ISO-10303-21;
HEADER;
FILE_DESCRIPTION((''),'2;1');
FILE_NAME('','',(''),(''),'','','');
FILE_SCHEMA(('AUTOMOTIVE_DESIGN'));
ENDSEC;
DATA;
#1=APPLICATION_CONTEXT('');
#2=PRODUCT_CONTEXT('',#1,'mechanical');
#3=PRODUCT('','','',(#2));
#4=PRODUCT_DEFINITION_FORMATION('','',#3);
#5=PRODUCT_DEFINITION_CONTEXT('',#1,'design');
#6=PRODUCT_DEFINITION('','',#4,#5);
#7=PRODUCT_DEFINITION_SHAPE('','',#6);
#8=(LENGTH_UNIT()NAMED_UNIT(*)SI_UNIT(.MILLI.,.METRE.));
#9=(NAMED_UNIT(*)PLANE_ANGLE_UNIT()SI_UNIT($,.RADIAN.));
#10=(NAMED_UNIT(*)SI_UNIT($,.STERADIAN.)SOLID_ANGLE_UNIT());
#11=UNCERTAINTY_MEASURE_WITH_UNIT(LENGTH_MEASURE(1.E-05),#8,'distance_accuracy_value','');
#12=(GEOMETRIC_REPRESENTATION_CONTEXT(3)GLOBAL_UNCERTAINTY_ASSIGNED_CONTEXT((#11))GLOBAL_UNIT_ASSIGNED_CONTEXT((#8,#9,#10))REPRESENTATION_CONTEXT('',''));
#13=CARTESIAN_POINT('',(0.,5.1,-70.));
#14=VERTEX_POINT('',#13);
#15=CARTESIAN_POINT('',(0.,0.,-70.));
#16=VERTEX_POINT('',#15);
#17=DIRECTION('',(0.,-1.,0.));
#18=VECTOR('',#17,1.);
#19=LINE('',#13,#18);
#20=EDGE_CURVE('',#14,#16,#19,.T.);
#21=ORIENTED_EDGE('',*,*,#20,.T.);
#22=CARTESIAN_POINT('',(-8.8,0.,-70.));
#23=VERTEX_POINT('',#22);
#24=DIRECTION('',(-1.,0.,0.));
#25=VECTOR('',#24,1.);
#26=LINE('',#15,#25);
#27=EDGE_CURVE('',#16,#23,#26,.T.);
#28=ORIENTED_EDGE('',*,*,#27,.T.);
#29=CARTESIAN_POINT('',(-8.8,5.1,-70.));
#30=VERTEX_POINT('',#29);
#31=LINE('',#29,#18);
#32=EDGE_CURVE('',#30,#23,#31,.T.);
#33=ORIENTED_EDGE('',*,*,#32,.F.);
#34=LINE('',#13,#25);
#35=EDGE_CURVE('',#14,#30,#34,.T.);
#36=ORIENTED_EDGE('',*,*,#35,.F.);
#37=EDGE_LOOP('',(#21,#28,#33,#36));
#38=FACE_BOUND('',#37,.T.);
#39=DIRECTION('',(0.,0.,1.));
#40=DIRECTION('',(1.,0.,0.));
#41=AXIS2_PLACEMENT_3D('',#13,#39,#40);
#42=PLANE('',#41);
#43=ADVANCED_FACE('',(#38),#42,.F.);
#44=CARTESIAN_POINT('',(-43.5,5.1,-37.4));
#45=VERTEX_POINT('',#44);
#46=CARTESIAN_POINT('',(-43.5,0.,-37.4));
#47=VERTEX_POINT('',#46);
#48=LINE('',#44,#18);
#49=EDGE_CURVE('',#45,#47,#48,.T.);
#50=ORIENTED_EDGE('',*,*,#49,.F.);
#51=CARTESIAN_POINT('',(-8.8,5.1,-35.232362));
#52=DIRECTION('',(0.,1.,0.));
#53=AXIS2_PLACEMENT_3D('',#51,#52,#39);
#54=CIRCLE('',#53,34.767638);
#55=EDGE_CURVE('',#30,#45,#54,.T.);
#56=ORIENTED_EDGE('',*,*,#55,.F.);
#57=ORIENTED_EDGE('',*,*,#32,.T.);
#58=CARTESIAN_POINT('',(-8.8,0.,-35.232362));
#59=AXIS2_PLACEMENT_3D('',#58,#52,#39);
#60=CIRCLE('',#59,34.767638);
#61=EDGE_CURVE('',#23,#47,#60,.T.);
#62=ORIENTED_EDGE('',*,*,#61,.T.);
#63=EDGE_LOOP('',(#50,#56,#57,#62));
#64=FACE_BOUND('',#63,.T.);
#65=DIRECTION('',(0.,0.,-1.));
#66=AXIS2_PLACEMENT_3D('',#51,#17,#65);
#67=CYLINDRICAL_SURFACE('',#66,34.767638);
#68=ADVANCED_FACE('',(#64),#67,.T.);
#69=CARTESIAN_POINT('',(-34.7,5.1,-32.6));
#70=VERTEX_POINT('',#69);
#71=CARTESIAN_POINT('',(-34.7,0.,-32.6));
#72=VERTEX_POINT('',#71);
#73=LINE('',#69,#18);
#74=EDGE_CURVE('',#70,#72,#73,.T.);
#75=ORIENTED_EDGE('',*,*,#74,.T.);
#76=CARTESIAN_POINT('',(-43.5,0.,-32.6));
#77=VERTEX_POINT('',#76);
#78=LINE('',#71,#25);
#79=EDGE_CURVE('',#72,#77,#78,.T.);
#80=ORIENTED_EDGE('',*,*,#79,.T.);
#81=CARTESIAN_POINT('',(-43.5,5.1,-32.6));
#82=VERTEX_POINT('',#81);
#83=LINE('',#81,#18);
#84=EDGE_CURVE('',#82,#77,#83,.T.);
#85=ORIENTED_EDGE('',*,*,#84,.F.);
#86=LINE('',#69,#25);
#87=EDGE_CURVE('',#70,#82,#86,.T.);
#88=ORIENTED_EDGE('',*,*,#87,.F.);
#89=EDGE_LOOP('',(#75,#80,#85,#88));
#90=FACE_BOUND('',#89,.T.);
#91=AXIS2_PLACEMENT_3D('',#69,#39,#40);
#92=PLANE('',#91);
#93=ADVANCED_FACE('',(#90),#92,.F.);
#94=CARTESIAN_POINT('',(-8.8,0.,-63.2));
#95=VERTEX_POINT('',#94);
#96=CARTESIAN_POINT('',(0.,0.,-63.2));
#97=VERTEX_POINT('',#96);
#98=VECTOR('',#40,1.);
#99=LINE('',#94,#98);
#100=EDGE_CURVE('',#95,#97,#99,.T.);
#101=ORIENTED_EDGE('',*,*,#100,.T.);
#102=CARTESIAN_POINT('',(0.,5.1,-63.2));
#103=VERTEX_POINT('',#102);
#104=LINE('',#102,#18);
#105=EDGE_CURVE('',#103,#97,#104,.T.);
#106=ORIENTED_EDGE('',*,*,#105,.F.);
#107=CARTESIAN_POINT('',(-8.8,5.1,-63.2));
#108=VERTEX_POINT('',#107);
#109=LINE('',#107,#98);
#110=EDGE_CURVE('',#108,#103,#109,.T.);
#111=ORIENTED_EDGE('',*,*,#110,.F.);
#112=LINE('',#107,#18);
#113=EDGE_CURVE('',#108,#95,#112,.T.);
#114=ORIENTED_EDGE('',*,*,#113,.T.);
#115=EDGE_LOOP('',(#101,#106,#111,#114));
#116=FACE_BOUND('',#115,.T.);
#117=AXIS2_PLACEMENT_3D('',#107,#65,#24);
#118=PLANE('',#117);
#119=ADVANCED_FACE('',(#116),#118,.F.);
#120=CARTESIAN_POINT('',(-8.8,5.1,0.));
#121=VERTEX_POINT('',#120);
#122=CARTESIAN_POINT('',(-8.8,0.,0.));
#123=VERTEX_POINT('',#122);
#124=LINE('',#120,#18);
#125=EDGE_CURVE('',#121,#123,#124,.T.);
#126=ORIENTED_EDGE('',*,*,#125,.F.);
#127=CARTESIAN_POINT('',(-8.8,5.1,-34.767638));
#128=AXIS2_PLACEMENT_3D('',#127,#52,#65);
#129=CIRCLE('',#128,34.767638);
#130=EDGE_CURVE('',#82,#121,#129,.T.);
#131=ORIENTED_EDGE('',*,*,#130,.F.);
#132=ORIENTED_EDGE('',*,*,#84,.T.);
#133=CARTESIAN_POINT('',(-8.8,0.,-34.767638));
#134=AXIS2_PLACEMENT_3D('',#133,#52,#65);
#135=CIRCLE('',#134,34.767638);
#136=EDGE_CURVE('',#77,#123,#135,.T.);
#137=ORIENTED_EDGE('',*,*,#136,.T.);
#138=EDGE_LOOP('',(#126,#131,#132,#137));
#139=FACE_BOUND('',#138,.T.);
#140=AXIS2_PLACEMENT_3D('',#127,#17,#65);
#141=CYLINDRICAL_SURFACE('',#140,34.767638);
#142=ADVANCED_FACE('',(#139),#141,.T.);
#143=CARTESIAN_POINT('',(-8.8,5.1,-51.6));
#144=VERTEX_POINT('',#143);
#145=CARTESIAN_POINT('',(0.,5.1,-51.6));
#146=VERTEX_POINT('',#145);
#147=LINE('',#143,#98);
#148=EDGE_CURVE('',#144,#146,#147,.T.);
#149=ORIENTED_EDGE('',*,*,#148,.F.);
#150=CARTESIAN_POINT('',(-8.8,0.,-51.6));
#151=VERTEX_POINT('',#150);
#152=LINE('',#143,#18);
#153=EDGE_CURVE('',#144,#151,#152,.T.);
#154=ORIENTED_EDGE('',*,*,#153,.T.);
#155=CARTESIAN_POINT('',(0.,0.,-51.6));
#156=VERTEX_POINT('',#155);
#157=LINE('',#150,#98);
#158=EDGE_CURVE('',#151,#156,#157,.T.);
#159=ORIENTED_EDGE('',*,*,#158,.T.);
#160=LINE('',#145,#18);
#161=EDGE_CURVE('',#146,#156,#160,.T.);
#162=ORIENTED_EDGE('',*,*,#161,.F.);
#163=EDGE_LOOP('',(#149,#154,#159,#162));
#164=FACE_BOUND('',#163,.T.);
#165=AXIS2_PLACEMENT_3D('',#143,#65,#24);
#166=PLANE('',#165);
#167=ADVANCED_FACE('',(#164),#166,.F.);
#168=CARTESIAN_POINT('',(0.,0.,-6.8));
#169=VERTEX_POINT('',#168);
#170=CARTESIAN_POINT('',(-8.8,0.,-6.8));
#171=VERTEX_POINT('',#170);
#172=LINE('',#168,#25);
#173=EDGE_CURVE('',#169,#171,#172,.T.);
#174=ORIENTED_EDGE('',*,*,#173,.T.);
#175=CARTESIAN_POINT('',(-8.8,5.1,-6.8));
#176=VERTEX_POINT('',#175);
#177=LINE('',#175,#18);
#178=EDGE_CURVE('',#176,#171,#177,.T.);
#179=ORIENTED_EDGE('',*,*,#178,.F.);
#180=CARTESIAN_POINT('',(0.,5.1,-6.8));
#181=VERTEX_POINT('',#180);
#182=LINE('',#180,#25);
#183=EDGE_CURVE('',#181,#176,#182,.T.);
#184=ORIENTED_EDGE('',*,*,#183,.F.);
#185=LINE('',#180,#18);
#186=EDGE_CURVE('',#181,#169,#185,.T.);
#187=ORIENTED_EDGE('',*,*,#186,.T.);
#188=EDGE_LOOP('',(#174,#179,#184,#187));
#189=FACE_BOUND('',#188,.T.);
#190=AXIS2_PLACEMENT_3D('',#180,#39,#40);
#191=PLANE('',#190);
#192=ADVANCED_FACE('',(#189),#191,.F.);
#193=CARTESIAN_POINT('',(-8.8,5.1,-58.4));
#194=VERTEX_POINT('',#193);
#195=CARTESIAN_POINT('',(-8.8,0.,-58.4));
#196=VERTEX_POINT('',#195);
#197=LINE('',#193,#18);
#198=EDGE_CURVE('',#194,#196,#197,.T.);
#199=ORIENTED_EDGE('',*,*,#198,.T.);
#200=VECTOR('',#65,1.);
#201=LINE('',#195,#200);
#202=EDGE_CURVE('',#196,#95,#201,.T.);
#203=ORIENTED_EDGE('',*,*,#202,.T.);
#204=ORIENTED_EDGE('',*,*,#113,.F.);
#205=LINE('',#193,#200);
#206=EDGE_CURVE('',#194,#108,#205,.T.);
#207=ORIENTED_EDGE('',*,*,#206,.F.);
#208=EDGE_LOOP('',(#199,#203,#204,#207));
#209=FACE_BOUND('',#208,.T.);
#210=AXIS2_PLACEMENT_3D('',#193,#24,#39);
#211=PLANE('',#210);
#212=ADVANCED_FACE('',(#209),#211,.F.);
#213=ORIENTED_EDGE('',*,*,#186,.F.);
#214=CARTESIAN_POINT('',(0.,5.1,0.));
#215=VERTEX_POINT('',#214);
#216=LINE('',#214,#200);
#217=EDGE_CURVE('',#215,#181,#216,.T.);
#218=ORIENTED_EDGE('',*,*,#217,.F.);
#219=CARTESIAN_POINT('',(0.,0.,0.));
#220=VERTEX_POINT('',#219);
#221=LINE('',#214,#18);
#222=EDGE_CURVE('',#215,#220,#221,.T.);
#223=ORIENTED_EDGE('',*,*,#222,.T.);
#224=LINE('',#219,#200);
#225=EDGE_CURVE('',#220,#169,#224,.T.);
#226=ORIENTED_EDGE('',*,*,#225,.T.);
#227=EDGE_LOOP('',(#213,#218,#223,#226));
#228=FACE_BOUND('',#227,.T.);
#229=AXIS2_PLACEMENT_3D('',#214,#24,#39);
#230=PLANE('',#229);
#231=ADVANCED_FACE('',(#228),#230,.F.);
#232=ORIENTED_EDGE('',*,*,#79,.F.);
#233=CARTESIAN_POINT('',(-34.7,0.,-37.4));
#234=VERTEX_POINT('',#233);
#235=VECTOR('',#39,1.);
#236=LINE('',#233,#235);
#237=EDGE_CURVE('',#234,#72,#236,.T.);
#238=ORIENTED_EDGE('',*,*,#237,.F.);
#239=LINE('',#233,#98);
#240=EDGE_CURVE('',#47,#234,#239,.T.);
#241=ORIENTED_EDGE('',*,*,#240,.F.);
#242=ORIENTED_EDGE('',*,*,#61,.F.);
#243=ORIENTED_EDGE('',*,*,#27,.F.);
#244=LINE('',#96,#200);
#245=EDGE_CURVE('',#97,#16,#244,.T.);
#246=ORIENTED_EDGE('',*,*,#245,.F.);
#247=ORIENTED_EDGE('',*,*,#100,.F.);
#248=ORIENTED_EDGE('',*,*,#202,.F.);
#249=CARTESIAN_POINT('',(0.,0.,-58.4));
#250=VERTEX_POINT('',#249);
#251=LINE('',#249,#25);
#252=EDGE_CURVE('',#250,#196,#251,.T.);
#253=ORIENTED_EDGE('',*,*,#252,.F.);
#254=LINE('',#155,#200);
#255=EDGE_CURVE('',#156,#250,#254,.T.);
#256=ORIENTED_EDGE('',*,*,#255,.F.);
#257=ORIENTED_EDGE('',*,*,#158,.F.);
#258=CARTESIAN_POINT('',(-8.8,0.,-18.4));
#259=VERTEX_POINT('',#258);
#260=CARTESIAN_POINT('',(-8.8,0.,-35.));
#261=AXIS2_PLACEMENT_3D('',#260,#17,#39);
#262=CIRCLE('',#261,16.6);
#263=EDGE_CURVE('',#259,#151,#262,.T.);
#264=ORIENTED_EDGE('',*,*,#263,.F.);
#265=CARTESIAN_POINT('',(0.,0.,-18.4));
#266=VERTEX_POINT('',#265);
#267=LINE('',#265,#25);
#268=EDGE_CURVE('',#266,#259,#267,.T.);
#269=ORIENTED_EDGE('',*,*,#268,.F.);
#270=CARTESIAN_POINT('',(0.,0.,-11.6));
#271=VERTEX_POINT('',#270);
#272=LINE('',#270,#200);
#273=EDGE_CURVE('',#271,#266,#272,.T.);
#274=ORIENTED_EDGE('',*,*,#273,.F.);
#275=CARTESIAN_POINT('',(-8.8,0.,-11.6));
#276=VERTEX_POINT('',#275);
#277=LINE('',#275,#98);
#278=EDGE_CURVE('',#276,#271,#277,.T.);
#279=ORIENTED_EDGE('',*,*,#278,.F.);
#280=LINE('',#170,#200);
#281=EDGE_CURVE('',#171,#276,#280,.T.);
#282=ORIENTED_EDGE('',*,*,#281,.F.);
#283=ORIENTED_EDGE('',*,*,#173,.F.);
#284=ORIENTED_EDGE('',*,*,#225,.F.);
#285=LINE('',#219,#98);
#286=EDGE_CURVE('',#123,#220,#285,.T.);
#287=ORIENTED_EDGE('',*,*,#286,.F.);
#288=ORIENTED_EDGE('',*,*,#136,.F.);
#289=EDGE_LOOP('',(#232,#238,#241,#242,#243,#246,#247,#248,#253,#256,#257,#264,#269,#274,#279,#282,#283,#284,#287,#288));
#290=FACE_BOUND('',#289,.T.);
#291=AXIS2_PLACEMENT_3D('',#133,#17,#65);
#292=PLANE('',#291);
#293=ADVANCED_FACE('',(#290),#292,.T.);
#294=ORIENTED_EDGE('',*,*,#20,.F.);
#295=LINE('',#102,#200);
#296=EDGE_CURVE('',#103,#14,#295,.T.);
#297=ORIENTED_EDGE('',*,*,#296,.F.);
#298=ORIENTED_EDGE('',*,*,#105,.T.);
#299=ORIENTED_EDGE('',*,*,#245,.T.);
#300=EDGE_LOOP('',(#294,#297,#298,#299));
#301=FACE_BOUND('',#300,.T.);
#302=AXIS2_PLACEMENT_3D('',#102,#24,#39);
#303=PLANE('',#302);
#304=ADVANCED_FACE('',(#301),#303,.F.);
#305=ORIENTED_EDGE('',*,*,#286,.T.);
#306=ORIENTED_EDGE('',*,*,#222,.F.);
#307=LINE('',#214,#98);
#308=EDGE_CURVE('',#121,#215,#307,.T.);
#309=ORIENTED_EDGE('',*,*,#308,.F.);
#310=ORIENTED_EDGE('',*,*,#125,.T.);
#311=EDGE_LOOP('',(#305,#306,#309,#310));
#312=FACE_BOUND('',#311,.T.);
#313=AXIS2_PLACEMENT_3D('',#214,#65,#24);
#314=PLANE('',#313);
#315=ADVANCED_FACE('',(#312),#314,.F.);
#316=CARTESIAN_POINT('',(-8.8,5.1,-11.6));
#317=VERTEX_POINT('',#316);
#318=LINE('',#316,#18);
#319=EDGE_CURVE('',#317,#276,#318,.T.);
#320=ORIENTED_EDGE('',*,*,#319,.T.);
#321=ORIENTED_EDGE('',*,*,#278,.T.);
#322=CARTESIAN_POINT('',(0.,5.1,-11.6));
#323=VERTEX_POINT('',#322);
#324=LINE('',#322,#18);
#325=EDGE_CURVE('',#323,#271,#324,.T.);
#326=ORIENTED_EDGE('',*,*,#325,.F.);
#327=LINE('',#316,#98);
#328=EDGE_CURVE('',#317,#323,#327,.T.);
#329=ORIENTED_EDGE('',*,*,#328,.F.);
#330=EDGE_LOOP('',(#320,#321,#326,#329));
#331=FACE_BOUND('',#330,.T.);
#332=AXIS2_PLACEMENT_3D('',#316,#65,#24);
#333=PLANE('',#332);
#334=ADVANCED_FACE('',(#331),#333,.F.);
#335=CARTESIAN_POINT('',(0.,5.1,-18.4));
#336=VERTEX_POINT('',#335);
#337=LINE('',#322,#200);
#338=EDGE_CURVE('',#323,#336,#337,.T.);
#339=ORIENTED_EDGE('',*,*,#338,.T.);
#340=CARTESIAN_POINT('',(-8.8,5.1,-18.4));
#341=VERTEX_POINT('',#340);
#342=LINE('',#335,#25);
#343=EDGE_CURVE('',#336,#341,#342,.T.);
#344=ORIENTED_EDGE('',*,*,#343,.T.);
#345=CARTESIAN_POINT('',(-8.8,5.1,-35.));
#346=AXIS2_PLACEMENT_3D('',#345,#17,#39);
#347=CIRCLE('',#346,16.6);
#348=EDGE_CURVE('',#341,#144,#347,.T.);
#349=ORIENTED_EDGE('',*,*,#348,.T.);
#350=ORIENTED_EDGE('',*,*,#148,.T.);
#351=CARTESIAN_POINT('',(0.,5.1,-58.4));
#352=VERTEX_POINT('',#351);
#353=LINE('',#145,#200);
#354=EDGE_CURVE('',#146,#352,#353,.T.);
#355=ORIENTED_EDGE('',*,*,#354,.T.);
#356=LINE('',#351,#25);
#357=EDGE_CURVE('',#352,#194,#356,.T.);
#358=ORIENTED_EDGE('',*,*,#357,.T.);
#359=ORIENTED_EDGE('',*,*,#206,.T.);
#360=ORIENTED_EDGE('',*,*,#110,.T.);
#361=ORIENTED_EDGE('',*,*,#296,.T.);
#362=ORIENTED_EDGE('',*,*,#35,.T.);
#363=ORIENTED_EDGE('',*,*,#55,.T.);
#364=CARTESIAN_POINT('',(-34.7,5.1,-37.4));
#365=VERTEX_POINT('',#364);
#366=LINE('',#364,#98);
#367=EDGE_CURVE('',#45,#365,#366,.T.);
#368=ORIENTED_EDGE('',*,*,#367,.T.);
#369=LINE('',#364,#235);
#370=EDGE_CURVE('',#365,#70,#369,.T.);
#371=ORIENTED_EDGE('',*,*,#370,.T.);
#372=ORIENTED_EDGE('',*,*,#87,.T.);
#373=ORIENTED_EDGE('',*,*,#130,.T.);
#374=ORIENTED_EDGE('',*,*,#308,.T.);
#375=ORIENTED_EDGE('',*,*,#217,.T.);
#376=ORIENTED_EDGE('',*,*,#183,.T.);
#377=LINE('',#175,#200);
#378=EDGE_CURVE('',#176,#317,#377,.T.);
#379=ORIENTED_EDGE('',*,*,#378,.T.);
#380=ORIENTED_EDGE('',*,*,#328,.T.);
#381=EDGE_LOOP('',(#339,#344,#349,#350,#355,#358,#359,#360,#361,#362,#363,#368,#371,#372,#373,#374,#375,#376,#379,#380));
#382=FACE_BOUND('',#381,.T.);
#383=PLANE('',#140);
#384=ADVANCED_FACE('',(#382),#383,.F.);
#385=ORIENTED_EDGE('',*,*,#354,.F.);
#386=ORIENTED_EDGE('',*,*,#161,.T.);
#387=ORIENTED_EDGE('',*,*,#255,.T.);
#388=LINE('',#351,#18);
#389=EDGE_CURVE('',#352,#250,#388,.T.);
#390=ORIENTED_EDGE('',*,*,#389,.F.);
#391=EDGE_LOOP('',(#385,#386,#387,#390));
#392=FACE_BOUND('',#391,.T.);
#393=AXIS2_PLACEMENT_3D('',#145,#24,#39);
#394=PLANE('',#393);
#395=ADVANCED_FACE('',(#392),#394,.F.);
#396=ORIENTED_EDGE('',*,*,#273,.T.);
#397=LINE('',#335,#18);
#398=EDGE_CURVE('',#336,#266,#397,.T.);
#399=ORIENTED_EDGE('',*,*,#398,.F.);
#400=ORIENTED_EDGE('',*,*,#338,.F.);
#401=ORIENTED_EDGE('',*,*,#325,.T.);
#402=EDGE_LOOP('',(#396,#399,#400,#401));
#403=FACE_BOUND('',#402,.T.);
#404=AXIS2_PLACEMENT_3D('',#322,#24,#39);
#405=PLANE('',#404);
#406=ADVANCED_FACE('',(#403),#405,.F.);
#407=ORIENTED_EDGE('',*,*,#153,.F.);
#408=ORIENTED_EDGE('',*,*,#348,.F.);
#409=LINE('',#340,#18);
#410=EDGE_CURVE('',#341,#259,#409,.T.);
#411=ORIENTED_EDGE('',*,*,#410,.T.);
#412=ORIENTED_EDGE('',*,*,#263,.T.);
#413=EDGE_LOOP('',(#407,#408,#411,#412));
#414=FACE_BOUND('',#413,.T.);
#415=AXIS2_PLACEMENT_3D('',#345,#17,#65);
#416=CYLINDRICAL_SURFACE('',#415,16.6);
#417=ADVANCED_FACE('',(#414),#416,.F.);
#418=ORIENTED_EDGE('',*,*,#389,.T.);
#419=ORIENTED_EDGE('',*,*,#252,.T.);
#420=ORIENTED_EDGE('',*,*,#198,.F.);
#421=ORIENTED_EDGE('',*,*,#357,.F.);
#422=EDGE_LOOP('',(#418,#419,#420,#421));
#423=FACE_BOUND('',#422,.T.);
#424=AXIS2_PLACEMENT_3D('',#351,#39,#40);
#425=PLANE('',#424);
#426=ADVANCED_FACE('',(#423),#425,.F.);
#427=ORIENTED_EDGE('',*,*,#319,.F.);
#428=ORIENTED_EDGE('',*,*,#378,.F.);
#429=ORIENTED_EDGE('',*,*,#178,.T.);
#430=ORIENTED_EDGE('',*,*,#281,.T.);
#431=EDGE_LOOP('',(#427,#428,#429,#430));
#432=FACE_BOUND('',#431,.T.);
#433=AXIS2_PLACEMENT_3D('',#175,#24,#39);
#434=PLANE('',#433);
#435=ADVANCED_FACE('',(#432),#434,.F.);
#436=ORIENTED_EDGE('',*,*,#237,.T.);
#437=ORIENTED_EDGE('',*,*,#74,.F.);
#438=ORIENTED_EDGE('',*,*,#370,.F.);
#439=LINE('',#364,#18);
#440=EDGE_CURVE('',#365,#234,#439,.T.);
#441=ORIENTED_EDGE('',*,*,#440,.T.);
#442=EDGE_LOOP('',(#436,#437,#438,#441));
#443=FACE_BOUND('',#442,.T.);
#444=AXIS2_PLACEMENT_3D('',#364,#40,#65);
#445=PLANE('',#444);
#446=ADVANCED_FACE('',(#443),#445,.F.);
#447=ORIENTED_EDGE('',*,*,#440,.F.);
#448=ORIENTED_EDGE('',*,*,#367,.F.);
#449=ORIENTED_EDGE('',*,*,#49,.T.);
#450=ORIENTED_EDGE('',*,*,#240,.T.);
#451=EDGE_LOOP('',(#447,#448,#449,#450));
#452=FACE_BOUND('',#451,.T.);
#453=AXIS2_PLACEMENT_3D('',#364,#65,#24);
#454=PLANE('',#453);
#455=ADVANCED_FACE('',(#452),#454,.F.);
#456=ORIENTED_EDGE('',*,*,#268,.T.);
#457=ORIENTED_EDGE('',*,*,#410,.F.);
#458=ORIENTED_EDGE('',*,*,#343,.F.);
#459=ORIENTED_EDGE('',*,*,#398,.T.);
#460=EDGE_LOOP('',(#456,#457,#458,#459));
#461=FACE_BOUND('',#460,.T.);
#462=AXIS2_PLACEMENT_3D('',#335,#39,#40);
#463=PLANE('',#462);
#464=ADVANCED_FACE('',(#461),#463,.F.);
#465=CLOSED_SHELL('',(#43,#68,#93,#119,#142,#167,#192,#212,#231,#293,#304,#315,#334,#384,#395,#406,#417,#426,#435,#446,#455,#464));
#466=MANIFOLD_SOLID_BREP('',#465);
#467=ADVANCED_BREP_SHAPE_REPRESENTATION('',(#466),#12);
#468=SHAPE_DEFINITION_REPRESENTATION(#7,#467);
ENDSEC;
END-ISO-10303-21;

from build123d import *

# Parameters (mm, degrees)
SALIENTE_EXTRUIR1_DEPTH = 5.1


with BuildPart() as part:
    # Croquis1 → Saliente-Extruir1 (new body)
    with BuildSketch(Plane(origin=(0, 0, 0), x_dir=(1, 0, 0), z_dir=(0, 1, 0))):
        with BuildLine():
            Line((0, 0), (0, 6.8))
            Line((0, 6.8), (-8.8, 6.8))
            Line((-8.8, 6.8), (-8.8, 11.6))
            Line((-8.8, 11.6), (0, 11.6))
            Line((0, 11.6), (0, 18.4))
            Line((0, 18.4), (-8.8, 18.4))
            ThreePointArc((-8.8, 18.4), (-25.4, 35), (-8.8, 51.6))
            Line((-8.8, 51.6), (0, 51.6))
            Line((0, 51.6), (0, 58.4))
            Line((0, 58.4), (-8.8, 58.4))
            Line((-8.8, 58.4), (-8.8, 63.2))
            Line((-8.8, 63.2), (0, 63.2))
            Line((0, 63.2), (0, 70))
            Line((0, 70), (-8.8, 70))
            ThreePointArc((-8.8, 70), (-32.605724102, 60.57158363), (-43.5, 37.4))
            Line((-43.5, 37.4), (-34.7, 37.4))
            Line((-34.7, 37.4), (-34.7, 32.6))
            Line((-34.7, 32.6), (-43.5, 32.6))
            ThreePointArc((-43.5, 32.6), (-32.605724102, 9.42841637), (-8.8, 0))
            Line((-8.8, 0), (0, 0))
        make_face()
    extrude(amount=SALIENTE_EXTRUIR1_DEPTH)


solid = part.part
